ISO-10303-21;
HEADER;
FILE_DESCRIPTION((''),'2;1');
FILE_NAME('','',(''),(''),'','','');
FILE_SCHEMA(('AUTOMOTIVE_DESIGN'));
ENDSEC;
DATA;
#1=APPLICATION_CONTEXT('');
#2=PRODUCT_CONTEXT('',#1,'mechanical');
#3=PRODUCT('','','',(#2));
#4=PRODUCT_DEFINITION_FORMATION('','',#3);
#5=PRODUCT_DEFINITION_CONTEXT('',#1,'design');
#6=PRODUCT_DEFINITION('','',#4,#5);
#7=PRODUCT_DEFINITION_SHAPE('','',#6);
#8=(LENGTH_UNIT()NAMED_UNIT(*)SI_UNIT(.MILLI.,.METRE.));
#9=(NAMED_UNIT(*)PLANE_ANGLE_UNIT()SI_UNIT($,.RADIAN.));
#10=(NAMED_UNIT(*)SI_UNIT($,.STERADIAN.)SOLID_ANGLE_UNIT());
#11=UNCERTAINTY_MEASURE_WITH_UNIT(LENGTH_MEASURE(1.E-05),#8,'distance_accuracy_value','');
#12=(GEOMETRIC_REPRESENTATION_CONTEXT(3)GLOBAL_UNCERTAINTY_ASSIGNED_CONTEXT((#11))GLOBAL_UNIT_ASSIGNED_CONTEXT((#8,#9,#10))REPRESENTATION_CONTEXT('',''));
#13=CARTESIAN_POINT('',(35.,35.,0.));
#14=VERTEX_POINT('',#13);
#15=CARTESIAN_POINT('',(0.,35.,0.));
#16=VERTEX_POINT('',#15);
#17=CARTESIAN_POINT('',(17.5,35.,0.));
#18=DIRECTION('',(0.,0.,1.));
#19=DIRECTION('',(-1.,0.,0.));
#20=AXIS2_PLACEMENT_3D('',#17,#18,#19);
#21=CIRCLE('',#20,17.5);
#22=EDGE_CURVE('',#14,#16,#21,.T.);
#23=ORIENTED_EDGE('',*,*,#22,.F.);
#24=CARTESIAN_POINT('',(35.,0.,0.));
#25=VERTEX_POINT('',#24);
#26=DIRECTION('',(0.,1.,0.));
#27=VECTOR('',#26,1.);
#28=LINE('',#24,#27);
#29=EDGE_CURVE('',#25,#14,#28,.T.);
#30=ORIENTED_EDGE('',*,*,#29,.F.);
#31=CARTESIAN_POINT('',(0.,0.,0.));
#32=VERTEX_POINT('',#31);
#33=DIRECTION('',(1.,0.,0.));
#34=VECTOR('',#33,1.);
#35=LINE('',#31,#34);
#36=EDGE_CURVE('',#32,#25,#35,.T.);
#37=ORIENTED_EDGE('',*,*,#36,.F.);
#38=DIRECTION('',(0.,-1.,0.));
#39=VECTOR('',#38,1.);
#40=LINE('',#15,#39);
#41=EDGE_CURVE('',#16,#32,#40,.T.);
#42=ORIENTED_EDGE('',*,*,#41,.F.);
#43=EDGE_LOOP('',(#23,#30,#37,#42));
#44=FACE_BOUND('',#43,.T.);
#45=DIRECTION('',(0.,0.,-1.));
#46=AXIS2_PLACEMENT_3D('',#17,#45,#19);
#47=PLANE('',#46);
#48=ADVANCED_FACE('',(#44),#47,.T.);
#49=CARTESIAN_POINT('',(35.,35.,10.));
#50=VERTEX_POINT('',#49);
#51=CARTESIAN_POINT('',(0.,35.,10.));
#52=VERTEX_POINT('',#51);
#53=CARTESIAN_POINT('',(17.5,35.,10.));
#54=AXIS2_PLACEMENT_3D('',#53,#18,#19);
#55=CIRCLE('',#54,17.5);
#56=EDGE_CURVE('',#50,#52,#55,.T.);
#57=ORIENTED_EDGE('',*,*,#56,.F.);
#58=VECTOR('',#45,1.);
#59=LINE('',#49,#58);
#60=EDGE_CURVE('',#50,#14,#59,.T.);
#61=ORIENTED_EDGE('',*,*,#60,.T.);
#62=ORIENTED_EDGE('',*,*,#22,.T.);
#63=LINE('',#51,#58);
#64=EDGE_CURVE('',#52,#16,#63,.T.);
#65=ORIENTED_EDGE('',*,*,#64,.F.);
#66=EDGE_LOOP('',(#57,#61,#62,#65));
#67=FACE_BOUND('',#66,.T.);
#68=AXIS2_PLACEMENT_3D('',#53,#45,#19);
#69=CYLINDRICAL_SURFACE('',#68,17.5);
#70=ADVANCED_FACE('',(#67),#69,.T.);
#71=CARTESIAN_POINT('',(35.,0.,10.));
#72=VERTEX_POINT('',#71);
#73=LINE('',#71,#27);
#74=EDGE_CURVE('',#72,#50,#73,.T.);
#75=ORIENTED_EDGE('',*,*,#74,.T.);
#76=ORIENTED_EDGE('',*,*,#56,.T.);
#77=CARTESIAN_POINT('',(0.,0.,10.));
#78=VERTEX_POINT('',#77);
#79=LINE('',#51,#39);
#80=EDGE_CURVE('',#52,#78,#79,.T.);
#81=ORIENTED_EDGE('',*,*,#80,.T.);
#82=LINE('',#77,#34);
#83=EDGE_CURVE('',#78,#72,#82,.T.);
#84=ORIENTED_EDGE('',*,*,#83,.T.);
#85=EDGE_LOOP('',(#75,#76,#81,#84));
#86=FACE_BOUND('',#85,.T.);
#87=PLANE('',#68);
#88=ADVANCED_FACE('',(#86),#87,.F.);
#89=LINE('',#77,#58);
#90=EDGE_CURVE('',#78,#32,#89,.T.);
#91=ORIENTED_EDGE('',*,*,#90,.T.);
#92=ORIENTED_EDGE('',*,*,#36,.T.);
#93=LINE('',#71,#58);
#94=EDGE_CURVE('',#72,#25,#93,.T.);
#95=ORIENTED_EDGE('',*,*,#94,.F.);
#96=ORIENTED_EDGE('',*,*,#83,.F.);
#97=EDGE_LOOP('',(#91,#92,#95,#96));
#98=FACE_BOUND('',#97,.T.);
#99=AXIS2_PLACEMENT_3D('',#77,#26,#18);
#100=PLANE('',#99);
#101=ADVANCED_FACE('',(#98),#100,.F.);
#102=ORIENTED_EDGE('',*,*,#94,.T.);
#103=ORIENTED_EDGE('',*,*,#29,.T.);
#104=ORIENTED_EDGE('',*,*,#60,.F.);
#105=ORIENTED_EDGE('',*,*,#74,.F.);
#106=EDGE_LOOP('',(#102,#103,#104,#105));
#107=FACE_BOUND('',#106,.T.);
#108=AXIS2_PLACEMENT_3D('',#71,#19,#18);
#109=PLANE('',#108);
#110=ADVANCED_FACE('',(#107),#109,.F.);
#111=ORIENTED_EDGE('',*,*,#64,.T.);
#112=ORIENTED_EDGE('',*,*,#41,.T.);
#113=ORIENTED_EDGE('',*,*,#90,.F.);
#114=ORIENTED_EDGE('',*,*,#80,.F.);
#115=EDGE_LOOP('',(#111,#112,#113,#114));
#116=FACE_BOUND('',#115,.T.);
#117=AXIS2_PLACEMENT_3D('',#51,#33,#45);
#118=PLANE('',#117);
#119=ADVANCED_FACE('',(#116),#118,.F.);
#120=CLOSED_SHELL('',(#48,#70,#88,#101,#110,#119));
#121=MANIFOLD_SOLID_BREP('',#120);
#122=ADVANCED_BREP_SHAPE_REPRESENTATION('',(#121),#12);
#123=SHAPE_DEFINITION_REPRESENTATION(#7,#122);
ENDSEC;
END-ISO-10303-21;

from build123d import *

# Parameters (mm, degrees)
BOSS_EXTRUDE1_DEPTH = 10


with BuildPart() as part:
    # Sketch1 → Boss-Extrude1 (new body)
    with BuildSketch(Plane.XY):
        with BuildLine():
            Line((0, 0), (35, 0))
            Line((35, 0), (35, 35))
            ThreePointArc((35, 35), (17.5, 52.5), (0, 35))
            Line((0, 35), (0, 0))
        make_face()
    extrude(amount=BOSS_EXTRUDE1_DEPTH)


solid = part.part
